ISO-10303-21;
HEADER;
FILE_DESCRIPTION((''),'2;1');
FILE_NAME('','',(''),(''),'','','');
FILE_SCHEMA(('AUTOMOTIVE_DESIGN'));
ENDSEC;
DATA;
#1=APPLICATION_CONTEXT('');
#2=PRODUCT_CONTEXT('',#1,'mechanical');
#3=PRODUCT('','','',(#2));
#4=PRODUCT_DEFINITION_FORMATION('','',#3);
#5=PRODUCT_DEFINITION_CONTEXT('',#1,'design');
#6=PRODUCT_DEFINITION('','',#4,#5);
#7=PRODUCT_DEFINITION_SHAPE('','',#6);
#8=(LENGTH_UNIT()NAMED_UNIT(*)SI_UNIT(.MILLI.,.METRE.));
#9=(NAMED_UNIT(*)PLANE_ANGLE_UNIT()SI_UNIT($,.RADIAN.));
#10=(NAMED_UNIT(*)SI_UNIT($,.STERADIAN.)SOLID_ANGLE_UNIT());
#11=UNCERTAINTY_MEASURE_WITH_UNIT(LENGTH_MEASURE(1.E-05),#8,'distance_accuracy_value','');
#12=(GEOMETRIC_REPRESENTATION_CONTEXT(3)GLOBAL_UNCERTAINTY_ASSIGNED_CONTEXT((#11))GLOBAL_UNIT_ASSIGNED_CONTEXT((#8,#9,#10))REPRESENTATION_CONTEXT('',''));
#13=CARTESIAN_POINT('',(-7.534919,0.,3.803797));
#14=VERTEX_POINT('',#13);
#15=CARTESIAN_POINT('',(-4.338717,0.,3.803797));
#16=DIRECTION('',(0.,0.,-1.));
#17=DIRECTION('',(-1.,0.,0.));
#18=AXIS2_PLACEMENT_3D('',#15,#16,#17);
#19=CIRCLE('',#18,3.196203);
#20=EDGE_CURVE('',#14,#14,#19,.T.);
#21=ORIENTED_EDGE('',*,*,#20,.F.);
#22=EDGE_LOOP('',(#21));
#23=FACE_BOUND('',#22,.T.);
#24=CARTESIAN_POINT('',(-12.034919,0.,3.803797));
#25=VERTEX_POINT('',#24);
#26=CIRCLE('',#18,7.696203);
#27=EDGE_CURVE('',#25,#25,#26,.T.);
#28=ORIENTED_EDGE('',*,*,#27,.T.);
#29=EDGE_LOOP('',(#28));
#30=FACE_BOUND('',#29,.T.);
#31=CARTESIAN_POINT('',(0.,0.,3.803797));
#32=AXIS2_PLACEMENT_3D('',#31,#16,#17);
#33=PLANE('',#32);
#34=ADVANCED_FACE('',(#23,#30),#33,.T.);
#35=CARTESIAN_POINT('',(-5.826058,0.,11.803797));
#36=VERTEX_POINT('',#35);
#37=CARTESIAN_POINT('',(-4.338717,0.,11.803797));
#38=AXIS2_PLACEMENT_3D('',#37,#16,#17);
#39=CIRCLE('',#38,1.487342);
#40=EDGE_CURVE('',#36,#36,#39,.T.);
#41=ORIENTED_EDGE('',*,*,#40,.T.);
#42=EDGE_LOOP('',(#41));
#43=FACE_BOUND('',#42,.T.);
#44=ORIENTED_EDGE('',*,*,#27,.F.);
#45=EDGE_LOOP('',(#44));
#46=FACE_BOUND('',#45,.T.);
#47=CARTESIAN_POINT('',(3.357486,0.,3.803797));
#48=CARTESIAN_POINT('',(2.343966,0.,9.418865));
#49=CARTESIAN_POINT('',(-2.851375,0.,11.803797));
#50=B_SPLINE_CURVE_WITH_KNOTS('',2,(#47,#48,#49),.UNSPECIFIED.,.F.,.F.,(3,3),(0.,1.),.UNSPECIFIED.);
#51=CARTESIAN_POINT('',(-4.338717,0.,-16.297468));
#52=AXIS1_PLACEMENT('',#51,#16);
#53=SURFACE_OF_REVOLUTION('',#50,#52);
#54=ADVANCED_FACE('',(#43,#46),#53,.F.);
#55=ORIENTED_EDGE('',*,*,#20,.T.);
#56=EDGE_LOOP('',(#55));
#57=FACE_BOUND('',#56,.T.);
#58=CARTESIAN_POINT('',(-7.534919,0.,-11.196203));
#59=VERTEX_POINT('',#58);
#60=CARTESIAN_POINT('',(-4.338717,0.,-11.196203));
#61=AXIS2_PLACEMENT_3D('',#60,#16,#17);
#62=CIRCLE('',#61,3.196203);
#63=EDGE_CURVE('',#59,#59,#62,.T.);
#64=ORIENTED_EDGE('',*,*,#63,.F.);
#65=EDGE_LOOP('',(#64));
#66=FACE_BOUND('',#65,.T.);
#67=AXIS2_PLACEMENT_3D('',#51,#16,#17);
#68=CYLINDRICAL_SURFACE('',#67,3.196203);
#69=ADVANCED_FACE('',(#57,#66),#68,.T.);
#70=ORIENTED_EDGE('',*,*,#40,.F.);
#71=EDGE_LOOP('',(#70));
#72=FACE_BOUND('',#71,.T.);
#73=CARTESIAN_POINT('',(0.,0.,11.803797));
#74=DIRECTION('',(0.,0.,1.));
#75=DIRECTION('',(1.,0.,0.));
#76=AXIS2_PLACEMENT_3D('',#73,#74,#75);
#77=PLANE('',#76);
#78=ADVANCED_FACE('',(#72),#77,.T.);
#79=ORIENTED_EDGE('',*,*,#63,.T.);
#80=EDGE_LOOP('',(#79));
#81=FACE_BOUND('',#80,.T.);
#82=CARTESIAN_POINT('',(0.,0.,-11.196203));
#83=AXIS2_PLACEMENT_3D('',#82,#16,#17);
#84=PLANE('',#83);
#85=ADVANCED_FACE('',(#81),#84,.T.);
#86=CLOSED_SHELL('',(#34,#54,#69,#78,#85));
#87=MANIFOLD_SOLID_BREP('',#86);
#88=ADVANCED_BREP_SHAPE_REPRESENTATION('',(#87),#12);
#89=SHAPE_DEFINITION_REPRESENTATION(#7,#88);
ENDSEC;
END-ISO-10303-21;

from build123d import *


with BuildPart() as part:
    # 草图1 → 旋转2 (revolve)
    with BuildSketch(Plane(origin=(0, 0, 0), x_dir=(1, 0, 0), z_dir=(0, 1, 0)), mode=Mode.PRIVATE) as revolve_2_sk:
        Polygon((-4.338716718, -3.803797468), (-4.142514186, -3.803797468), (-1.142514186, -3.803797468), (-1.142514186, 11.196202532), (-4.338716718, 11.196202532), align=None)
        with BuildLine():
            Line((-1.142514186, -3.803797468), (-4.142514186, -3.803797468))
            Line((-4.142514186, -3.803797468), (-4.338716718, -3.803797468))
            Line((-4.338716718, -3.803797468), (-4.338716718, -11.803797468))
            Line((-4.338716718, -11.803797468), (-2.851374945, -11.803797468))
            add(Edge.make_bspline(
                [(3.357485814, -3.803797468), (2.343965818, -9.418864618), (-2.851374945, -11.803797468)],
                knots=[0, 0, 0, 1, 1, 1], degree=2))
            Line((3.357485814, -3.803797468), (-1.142514186, -3.803797468))
        make_face()
    revolve(revolve_2_sk.sketch.rotate(Axis((-4.338716718, 0, -16.297468354), (0, 0, 1)), 180), axis=Axis((-4.338716718, 0, -16.297468354), (0, 0, 1)))


solid = part.part
